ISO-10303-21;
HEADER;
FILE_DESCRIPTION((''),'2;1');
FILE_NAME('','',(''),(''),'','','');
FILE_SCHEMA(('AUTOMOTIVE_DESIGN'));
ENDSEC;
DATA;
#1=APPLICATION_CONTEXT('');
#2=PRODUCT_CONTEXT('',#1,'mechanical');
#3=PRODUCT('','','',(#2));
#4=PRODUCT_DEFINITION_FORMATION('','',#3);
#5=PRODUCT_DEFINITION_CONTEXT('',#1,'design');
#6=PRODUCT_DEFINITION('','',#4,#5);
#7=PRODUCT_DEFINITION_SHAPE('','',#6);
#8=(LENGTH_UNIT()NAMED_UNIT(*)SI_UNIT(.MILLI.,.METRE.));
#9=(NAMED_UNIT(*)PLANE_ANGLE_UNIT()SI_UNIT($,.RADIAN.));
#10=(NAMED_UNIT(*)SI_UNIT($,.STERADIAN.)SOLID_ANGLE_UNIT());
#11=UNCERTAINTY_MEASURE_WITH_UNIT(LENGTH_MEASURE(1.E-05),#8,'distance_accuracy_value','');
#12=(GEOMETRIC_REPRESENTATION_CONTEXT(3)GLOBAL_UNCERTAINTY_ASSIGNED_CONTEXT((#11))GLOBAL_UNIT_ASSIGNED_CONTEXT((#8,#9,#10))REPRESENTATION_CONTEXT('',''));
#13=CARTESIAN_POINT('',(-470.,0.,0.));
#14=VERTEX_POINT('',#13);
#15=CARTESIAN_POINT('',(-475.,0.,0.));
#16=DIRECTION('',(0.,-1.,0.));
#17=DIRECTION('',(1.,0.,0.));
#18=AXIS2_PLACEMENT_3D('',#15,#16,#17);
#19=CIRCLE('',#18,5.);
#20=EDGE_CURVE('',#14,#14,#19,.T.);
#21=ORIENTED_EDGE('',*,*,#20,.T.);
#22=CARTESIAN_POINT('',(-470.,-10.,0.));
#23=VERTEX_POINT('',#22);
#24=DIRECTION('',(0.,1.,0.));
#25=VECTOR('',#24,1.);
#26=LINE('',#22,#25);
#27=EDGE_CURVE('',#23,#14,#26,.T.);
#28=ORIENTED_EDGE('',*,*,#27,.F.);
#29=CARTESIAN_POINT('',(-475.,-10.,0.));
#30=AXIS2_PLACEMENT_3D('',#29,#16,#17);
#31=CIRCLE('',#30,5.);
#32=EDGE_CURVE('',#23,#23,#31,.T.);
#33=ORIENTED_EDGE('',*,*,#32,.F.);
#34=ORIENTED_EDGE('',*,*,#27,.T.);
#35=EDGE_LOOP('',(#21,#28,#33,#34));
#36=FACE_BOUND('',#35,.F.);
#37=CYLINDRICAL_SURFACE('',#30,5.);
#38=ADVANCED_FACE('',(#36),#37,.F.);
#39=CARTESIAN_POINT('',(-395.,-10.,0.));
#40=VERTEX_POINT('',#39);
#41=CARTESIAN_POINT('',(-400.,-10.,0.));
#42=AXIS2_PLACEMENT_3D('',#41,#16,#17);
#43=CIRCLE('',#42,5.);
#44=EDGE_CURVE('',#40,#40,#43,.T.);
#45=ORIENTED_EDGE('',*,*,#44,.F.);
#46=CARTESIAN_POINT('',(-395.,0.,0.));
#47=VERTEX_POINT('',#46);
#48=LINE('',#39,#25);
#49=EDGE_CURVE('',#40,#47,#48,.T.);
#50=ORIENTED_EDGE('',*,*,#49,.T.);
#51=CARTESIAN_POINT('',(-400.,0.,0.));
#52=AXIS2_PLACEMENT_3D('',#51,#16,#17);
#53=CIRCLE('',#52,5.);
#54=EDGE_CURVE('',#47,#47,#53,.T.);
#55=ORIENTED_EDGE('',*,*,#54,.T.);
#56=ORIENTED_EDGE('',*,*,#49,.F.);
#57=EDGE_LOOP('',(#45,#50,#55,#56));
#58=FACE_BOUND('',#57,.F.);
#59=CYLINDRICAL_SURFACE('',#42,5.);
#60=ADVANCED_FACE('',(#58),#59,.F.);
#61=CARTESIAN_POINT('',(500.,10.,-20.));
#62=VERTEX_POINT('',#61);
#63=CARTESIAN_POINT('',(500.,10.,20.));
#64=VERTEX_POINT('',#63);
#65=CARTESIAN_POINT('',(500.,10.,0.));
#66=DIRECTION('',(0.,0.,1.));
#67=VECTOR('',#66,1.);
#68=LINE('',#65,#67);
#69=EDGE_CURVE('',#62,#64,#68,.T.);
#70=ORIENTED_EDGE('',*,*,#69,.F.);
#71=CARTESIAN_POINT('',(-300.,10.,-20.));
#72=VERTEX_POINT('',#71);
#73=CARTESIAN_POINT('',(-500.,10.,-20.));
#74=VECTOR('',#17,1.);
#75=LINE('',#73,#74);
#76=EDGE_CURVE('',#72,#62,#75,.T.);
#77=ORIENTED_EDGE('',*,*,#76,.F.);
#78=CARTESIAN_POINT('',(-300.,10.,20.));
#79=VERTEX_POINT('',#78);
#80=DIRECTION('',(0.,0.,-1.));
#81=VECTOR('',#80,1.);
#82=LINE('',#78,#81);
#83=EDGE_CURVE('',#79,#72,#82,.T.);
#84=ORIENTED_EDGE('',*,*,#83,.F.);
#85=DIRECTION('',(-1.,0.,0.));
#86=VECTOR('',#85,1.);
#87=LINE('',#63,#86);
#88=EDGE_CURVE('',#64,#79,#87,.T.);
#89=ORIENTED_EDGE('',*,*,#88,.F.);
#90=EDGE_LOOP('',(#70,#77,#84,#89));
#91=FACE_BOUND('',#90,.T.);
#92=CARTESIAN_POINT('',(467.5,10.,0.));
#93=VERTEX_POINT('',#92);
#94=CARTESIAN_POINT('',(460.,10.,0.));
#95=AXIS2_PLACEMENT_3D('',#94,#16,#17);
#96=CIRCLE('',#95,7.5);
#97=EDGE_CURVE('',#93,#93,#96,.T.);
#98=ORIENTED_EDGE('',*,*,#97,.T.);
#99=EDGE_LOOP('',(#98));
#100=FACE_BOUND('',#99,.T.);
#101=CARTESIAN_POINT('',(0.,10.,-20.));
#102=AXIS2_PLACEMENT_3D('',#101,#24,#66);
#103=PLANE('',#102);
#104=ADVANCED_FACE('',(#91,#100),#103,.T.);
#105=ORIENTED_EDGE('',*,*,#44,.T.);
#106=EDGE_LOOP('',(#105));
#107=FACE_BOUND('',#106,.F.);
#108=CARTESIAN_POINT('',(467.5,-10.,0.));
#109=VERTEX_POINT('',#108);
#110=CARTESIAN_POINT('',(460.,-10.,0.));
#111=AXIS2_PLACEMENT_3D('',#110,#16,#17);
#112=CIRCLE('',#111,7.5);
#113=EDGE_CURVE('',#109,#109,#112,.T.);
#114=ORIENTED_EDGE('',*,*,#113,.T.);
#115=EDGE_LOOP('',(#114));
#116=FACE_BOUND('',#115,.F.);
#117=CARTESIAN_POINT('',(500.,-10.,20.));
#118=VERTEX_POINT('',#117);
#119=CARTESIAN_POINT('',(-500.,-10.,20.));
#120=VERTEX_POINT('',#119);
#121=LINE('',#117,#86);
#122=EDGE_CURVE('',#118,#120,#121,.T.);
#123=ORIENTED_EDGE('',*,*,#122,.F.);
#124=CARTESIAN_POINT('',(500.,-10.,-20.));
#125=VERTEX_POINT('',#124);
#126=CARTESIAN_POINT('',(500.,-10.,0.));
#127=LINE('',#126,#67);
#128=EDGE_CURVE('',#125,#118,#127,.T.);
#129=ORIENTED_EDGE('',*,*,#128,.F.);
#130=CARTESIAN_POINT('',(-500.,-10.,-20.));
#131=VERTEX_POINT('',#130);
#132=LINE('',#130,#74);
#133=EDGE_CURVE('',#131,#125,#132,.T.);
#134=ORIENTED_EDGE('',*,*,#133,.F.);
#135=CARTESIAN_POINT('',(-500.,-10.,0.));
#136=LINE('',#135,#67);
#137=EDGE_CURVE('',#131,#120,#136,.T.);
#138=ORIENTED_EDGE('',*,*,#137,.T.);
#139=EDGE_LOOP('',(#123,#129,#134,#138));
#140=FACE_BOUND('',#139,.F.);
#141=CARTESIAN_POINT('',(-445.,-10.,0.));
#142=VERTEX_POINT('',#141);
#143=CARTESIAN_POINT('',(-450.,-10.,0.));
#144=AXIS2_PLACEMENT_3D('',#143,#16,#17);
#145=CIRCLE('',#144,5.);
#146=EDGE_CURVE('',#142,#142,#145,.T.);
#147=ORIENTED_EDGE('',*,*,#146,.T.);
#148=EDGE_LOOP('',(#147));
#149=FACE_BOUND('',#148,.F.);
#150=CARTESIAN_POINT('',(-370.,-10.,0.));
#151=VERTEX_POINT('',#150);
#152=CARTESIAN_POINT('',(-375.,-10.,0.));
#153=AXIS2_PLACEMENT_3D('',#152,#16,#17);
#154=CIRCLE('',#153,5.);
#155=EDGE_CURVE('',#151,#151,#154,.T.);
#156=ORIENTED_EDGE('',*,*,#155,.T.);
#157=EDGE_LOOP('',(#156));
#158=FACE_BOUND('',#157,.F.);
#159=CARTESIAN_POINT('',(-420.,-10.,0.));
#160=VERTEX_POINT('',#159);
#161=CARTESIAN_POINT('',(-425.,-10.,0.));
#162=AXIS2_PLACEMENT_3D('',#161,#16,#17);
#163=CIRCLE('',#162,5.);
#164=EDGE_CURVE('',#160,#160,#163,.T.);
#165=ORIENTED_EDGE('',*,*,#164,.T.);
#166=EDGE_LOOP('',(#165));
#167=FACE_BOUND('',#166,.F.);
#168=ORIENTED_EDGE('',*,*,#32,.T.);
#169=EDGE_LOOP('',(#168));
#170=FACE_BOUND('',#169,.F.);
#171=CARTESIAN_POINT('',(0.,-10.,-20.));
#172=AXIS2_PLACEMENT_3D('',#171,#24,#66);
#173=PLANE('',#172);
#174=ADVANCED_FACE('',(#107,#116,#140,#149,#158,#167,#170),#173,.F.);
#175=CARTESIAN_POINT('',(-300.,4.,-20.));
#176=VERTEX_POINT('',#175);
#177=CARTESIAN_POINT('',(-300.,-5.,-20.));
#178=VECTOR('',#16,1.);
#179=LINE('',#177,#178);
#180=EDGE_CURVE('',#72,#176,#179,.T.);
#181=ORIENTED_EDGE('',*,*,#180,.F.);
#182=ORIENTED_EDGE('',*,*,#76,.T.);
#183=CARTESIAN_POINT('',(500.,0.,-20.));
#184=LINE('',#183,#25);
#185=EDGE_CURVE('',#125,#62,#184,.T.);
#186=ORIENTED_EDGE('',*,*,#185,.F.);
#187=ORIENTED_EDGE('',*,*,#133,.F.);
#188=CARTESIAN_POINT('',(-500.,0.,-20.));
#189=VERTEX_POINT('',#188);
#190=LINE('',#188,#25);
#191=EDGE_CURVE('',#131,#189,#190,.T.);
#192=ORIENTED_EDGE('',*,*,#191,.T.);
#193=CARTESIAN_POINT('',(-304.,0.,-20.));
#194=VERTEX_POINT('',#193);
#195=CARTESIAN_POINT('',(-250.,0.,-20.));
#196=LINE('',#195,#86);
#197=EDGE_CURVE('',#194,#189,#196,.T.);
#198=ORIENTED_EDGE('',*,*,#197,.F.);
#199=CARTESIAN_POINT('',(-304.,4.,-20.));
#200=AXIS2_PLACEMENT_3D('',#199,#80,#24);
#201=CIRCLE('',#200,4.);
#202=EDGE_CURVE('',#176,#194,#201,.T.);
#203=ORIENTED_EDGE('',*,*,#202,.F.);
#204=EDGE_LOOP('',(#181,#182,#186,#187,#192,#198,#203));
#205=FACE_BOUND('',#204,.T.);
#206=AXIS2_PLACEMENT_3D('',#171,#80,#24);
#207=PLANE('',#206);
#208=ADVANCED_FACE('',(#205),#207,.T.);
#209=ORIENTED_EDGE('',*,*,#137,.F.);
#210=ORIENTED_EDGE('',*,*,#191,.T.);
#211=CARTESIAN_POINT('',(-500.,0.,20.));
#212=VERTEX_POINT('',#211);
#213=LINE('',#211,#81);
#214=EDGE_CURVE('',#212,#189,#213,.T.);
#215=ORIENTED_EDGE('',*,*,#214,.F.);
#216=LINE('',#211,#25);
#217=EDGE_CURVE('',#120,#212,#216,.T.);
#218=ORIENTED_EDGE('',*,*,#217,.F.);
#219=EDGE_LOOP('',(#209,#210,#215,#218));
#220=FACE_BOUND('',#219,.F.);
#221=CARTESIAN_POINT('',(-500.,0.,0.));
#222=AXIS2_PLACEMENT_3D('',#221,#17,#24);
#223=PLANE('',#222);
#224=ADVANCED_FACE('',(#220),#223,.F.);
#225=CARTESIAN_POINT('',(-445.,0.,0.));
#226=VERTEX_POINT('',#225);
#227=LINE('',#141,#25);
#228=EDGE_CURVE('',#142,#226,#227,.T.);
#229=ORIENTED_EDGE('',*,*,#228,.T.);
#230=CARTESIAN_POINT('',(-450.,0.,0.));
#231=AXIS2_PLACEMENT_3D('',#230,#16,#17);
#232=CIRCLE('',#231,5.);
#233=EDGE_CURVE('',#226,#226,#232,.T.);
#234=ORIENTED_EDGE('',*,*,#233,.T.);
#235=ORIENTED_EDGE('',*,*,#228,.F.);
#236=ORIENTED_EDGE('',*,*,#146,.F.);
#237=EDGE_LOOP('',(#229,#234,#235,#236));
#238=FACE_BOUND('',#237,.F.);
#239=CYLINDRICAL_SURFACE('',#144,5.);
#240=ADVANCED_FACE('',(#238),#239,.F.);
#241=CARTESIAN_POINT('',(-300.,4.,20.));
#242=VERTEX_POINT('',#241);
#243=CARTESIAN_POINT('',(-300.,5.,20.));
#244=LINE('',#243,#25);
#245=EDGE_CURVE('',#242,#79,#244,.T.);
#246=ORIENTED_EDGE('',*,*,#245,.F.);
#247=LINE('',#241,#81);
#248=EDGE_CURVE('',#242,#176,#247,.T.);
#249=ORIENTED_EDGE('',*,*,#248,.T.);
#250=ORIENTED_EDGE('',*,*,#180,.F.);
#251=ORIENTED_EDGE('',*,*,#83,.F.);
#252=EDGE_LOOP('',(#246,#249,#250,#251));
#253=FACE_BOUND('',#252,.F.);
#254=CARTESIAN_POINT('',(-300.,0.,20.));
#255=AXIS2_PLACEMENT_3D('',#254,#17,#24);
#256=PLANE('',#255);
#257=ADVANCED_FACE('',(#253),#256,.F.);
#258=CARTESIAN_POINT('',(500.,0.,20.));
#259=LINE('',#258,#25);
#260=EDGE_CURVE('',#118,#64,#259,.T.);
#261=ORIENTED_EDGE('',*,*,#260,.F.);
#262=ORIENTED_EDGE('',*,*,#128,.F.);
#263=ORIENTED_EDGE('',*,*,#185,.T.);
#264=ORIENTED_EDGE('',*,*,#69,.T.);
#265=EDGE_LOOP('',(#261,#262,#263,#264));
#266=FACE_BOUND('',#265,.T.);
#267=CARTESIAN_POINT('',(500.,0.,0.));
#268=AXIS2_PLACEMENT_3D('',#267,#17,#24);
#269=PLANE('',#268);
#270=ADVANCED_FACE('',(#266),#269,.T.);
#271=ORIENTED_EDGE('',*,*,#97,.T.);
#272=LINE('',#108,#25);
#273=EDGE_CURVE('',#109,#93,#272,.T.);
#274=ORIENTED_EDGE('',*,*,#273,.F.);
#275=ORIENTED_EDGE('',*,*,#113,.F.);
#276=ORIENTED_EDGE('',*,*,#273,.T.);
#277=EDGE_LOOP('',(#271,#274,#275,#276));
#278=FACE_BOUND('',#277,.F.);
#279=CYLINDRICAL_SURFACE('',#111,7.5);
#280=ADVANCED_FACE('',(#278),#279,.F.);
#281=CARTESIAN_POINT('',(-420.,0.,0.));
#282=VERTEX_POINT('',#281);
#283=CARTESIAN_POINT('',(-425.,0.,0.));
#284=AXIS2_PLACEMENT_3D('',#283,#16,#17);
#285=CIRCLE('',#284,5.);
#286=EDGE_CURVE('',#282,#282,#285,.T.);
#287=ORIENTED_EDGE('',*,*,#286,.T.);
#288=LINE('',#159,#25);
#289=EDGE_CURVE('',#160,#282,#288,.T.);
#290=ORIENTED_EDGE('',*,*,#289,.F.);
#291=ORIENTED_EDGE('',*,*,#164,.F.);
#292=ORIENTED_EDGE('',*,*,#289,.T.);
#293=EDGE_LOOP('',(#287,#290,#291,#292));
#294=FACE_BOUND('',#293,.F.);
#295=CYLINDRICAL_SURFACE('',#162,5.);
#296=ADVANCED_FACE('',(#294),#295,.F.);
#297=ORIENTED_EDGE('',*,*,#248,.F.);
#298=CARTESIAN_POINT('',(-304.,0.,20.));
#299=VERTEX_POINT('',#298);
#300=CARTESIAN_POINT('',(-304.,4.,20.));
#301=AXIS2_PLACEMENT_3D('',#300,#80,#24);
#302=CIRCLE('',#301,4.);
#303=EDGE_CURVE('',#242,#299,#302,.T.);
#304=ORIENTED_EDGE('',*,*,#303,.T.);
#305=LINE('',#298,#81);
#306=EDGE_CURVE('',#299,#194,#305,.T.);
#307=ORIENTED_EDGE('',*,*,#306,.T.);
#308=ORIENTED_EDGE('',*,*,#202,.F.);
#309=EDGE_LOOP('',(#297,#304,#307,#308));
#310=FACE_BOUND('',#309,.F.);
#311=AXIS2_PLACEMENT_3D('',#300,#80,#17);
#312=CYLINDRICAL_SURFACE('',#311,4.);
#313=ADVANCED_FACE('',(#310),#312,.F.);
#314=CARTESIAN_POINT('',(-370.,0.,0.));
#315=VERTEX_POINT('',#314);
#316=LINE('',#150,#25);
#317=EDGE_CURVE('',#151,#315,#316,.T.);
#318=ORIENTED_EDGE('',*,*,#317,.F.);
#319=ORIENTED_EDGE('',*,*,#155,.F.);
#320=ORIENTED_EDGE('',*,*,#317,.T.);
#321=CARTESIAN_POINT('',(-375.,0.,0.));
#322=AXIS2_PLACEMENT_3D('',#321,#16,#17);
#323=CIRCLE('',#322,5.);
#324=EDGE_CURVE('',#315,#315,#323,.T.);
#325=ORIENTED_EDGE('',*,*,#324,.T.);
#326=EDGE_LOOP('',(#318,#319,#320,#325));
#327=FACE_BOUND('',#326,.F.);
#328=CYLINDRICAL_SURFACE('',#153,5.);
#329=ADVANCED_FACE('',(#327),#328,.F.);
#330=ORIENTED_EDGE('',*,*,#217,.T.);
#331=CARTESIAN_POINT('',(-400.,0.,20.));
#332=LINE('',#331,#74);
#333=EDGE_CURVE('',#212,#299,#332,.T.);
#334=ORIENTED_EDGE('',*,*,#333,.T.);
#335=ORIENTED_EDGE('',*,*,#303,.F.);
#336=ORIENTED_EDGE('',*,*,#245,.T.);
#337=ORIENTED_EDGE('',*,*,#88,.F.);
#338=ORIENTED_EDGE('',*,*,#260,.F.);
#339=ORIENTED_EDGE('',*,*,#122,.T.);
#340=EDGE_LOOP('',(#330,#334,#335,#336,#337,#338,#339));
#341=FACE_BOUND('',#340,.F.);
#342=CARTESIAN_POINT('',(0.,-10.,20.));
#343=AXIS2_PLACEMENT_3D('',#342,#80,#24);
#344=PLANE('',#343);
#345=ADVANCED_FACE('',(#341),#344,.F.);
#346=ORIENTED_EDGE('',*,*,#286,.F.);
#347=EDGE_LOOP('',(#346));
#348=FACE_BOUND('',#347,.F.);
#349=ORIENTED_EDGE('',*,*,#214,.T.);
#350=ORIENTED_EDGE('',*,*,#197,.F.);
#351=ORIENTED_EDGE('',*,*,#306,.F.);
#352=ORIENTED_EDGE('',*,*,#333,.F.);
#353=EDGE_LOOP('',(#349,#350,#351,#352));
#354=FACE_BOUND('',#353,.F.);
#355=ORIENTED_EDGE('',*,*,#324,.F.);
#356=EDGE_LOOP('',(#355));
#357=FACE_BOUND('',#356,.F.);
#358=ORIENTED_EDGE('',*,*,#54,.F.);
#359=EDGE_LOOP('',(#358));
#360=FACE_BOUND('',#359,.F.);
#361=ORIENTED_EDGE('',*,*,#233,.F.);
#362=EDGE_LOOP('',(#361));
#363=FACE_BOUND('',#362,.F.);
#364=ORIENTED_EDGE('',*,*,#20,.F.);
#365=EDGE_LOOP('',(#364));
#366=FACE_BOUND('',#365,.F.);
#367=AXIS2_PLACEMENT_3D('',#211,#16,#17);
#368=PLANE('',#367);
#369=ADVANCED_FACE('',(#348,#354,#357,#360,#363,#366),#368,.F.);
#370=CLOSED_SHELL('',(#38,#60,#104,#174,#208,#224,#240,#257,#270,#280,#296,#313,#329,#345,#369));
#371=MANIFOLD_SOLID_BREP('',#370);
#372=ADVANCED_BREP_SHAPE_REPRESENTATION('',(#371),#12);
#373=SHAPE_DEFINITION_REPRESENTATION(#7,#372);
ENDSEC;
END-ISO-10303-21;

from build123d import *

# Parameters (mm, degrees)
F0_W     = 20
F0_H     = 40
F1_DEPTH = 500
F2_R     = 7.5
F2_R_2   = 5
F3_DEPTH = 25
F4_DEPTH = 25
F5_W     = 200
F5_H     = 10
F6_DEPTH = 40.001
F7_R     = 4


with BuildPart() as f1:
    # F0 (on Right) → F1 (new body, symmetric)
    with BuildSketch(Plane.YZ):
        Rectangle(F0_W, F0_H)
    extrude(amount=F1_DEPTH, both=True)

    # F2 (on face) → F3 (cut)
    with BuildSketch(Plane.XZ.offset(10)):
        with Locations((460, 0)):
            Circle(F2_R)
        with Locations((-475, 0)):
            Circle(F2_R_2)
        with Locations((-450, 0)):
            Circle(F2_R_2)
        with Locations((-425, 0)):
            Circle(F2_R_2)
        with Locations((-400, 0)):
            Circle(F2_R_2)
        with Locations((-375, 0)):
            Circle(F2_R_2)
    extrude(amount=-F3_DEPTH, mode=Mode.SUBTRACT)

    # F2 (on face) → F4 (cut)
    with BuildSketch(Plane.XZ.offset(10)):
        with Locations((460, 0)):
            Circle(F2_R)
        with Locations((-475, 0)):
            Circle(F2_R_2)
        with Locations((-450, 0)):
            Circle(F2_R_2)
        with Locations((-425, 0)):
            Circle(F2_R_2)
        with Locations((-400, 0)):
            Circle(F2_R_2)
        with Locations((-375, 0)):
            Circle(F2_R_2)
    extrude(amount=-F4_DEPTH, mode=Mode.SUBTRACT)

    # F5 (on face) → F6 (cut, through all)
    with BuildSketch(Plane.XY.offset(20)):
        with Locations((-400, 5)):
            Rectangle(F5_W, F5_H)
    extrude(amount=-F6_DEPTH, mode=Mode.SUBTRACT)

    # F7
    f7_edges = [f1.edges().sort_by_distance(p)[0] for p in [
        (-300, 0, 0),
    ]]
    fillet(f7_edges, radius=F7_R)


solid = f1.part
